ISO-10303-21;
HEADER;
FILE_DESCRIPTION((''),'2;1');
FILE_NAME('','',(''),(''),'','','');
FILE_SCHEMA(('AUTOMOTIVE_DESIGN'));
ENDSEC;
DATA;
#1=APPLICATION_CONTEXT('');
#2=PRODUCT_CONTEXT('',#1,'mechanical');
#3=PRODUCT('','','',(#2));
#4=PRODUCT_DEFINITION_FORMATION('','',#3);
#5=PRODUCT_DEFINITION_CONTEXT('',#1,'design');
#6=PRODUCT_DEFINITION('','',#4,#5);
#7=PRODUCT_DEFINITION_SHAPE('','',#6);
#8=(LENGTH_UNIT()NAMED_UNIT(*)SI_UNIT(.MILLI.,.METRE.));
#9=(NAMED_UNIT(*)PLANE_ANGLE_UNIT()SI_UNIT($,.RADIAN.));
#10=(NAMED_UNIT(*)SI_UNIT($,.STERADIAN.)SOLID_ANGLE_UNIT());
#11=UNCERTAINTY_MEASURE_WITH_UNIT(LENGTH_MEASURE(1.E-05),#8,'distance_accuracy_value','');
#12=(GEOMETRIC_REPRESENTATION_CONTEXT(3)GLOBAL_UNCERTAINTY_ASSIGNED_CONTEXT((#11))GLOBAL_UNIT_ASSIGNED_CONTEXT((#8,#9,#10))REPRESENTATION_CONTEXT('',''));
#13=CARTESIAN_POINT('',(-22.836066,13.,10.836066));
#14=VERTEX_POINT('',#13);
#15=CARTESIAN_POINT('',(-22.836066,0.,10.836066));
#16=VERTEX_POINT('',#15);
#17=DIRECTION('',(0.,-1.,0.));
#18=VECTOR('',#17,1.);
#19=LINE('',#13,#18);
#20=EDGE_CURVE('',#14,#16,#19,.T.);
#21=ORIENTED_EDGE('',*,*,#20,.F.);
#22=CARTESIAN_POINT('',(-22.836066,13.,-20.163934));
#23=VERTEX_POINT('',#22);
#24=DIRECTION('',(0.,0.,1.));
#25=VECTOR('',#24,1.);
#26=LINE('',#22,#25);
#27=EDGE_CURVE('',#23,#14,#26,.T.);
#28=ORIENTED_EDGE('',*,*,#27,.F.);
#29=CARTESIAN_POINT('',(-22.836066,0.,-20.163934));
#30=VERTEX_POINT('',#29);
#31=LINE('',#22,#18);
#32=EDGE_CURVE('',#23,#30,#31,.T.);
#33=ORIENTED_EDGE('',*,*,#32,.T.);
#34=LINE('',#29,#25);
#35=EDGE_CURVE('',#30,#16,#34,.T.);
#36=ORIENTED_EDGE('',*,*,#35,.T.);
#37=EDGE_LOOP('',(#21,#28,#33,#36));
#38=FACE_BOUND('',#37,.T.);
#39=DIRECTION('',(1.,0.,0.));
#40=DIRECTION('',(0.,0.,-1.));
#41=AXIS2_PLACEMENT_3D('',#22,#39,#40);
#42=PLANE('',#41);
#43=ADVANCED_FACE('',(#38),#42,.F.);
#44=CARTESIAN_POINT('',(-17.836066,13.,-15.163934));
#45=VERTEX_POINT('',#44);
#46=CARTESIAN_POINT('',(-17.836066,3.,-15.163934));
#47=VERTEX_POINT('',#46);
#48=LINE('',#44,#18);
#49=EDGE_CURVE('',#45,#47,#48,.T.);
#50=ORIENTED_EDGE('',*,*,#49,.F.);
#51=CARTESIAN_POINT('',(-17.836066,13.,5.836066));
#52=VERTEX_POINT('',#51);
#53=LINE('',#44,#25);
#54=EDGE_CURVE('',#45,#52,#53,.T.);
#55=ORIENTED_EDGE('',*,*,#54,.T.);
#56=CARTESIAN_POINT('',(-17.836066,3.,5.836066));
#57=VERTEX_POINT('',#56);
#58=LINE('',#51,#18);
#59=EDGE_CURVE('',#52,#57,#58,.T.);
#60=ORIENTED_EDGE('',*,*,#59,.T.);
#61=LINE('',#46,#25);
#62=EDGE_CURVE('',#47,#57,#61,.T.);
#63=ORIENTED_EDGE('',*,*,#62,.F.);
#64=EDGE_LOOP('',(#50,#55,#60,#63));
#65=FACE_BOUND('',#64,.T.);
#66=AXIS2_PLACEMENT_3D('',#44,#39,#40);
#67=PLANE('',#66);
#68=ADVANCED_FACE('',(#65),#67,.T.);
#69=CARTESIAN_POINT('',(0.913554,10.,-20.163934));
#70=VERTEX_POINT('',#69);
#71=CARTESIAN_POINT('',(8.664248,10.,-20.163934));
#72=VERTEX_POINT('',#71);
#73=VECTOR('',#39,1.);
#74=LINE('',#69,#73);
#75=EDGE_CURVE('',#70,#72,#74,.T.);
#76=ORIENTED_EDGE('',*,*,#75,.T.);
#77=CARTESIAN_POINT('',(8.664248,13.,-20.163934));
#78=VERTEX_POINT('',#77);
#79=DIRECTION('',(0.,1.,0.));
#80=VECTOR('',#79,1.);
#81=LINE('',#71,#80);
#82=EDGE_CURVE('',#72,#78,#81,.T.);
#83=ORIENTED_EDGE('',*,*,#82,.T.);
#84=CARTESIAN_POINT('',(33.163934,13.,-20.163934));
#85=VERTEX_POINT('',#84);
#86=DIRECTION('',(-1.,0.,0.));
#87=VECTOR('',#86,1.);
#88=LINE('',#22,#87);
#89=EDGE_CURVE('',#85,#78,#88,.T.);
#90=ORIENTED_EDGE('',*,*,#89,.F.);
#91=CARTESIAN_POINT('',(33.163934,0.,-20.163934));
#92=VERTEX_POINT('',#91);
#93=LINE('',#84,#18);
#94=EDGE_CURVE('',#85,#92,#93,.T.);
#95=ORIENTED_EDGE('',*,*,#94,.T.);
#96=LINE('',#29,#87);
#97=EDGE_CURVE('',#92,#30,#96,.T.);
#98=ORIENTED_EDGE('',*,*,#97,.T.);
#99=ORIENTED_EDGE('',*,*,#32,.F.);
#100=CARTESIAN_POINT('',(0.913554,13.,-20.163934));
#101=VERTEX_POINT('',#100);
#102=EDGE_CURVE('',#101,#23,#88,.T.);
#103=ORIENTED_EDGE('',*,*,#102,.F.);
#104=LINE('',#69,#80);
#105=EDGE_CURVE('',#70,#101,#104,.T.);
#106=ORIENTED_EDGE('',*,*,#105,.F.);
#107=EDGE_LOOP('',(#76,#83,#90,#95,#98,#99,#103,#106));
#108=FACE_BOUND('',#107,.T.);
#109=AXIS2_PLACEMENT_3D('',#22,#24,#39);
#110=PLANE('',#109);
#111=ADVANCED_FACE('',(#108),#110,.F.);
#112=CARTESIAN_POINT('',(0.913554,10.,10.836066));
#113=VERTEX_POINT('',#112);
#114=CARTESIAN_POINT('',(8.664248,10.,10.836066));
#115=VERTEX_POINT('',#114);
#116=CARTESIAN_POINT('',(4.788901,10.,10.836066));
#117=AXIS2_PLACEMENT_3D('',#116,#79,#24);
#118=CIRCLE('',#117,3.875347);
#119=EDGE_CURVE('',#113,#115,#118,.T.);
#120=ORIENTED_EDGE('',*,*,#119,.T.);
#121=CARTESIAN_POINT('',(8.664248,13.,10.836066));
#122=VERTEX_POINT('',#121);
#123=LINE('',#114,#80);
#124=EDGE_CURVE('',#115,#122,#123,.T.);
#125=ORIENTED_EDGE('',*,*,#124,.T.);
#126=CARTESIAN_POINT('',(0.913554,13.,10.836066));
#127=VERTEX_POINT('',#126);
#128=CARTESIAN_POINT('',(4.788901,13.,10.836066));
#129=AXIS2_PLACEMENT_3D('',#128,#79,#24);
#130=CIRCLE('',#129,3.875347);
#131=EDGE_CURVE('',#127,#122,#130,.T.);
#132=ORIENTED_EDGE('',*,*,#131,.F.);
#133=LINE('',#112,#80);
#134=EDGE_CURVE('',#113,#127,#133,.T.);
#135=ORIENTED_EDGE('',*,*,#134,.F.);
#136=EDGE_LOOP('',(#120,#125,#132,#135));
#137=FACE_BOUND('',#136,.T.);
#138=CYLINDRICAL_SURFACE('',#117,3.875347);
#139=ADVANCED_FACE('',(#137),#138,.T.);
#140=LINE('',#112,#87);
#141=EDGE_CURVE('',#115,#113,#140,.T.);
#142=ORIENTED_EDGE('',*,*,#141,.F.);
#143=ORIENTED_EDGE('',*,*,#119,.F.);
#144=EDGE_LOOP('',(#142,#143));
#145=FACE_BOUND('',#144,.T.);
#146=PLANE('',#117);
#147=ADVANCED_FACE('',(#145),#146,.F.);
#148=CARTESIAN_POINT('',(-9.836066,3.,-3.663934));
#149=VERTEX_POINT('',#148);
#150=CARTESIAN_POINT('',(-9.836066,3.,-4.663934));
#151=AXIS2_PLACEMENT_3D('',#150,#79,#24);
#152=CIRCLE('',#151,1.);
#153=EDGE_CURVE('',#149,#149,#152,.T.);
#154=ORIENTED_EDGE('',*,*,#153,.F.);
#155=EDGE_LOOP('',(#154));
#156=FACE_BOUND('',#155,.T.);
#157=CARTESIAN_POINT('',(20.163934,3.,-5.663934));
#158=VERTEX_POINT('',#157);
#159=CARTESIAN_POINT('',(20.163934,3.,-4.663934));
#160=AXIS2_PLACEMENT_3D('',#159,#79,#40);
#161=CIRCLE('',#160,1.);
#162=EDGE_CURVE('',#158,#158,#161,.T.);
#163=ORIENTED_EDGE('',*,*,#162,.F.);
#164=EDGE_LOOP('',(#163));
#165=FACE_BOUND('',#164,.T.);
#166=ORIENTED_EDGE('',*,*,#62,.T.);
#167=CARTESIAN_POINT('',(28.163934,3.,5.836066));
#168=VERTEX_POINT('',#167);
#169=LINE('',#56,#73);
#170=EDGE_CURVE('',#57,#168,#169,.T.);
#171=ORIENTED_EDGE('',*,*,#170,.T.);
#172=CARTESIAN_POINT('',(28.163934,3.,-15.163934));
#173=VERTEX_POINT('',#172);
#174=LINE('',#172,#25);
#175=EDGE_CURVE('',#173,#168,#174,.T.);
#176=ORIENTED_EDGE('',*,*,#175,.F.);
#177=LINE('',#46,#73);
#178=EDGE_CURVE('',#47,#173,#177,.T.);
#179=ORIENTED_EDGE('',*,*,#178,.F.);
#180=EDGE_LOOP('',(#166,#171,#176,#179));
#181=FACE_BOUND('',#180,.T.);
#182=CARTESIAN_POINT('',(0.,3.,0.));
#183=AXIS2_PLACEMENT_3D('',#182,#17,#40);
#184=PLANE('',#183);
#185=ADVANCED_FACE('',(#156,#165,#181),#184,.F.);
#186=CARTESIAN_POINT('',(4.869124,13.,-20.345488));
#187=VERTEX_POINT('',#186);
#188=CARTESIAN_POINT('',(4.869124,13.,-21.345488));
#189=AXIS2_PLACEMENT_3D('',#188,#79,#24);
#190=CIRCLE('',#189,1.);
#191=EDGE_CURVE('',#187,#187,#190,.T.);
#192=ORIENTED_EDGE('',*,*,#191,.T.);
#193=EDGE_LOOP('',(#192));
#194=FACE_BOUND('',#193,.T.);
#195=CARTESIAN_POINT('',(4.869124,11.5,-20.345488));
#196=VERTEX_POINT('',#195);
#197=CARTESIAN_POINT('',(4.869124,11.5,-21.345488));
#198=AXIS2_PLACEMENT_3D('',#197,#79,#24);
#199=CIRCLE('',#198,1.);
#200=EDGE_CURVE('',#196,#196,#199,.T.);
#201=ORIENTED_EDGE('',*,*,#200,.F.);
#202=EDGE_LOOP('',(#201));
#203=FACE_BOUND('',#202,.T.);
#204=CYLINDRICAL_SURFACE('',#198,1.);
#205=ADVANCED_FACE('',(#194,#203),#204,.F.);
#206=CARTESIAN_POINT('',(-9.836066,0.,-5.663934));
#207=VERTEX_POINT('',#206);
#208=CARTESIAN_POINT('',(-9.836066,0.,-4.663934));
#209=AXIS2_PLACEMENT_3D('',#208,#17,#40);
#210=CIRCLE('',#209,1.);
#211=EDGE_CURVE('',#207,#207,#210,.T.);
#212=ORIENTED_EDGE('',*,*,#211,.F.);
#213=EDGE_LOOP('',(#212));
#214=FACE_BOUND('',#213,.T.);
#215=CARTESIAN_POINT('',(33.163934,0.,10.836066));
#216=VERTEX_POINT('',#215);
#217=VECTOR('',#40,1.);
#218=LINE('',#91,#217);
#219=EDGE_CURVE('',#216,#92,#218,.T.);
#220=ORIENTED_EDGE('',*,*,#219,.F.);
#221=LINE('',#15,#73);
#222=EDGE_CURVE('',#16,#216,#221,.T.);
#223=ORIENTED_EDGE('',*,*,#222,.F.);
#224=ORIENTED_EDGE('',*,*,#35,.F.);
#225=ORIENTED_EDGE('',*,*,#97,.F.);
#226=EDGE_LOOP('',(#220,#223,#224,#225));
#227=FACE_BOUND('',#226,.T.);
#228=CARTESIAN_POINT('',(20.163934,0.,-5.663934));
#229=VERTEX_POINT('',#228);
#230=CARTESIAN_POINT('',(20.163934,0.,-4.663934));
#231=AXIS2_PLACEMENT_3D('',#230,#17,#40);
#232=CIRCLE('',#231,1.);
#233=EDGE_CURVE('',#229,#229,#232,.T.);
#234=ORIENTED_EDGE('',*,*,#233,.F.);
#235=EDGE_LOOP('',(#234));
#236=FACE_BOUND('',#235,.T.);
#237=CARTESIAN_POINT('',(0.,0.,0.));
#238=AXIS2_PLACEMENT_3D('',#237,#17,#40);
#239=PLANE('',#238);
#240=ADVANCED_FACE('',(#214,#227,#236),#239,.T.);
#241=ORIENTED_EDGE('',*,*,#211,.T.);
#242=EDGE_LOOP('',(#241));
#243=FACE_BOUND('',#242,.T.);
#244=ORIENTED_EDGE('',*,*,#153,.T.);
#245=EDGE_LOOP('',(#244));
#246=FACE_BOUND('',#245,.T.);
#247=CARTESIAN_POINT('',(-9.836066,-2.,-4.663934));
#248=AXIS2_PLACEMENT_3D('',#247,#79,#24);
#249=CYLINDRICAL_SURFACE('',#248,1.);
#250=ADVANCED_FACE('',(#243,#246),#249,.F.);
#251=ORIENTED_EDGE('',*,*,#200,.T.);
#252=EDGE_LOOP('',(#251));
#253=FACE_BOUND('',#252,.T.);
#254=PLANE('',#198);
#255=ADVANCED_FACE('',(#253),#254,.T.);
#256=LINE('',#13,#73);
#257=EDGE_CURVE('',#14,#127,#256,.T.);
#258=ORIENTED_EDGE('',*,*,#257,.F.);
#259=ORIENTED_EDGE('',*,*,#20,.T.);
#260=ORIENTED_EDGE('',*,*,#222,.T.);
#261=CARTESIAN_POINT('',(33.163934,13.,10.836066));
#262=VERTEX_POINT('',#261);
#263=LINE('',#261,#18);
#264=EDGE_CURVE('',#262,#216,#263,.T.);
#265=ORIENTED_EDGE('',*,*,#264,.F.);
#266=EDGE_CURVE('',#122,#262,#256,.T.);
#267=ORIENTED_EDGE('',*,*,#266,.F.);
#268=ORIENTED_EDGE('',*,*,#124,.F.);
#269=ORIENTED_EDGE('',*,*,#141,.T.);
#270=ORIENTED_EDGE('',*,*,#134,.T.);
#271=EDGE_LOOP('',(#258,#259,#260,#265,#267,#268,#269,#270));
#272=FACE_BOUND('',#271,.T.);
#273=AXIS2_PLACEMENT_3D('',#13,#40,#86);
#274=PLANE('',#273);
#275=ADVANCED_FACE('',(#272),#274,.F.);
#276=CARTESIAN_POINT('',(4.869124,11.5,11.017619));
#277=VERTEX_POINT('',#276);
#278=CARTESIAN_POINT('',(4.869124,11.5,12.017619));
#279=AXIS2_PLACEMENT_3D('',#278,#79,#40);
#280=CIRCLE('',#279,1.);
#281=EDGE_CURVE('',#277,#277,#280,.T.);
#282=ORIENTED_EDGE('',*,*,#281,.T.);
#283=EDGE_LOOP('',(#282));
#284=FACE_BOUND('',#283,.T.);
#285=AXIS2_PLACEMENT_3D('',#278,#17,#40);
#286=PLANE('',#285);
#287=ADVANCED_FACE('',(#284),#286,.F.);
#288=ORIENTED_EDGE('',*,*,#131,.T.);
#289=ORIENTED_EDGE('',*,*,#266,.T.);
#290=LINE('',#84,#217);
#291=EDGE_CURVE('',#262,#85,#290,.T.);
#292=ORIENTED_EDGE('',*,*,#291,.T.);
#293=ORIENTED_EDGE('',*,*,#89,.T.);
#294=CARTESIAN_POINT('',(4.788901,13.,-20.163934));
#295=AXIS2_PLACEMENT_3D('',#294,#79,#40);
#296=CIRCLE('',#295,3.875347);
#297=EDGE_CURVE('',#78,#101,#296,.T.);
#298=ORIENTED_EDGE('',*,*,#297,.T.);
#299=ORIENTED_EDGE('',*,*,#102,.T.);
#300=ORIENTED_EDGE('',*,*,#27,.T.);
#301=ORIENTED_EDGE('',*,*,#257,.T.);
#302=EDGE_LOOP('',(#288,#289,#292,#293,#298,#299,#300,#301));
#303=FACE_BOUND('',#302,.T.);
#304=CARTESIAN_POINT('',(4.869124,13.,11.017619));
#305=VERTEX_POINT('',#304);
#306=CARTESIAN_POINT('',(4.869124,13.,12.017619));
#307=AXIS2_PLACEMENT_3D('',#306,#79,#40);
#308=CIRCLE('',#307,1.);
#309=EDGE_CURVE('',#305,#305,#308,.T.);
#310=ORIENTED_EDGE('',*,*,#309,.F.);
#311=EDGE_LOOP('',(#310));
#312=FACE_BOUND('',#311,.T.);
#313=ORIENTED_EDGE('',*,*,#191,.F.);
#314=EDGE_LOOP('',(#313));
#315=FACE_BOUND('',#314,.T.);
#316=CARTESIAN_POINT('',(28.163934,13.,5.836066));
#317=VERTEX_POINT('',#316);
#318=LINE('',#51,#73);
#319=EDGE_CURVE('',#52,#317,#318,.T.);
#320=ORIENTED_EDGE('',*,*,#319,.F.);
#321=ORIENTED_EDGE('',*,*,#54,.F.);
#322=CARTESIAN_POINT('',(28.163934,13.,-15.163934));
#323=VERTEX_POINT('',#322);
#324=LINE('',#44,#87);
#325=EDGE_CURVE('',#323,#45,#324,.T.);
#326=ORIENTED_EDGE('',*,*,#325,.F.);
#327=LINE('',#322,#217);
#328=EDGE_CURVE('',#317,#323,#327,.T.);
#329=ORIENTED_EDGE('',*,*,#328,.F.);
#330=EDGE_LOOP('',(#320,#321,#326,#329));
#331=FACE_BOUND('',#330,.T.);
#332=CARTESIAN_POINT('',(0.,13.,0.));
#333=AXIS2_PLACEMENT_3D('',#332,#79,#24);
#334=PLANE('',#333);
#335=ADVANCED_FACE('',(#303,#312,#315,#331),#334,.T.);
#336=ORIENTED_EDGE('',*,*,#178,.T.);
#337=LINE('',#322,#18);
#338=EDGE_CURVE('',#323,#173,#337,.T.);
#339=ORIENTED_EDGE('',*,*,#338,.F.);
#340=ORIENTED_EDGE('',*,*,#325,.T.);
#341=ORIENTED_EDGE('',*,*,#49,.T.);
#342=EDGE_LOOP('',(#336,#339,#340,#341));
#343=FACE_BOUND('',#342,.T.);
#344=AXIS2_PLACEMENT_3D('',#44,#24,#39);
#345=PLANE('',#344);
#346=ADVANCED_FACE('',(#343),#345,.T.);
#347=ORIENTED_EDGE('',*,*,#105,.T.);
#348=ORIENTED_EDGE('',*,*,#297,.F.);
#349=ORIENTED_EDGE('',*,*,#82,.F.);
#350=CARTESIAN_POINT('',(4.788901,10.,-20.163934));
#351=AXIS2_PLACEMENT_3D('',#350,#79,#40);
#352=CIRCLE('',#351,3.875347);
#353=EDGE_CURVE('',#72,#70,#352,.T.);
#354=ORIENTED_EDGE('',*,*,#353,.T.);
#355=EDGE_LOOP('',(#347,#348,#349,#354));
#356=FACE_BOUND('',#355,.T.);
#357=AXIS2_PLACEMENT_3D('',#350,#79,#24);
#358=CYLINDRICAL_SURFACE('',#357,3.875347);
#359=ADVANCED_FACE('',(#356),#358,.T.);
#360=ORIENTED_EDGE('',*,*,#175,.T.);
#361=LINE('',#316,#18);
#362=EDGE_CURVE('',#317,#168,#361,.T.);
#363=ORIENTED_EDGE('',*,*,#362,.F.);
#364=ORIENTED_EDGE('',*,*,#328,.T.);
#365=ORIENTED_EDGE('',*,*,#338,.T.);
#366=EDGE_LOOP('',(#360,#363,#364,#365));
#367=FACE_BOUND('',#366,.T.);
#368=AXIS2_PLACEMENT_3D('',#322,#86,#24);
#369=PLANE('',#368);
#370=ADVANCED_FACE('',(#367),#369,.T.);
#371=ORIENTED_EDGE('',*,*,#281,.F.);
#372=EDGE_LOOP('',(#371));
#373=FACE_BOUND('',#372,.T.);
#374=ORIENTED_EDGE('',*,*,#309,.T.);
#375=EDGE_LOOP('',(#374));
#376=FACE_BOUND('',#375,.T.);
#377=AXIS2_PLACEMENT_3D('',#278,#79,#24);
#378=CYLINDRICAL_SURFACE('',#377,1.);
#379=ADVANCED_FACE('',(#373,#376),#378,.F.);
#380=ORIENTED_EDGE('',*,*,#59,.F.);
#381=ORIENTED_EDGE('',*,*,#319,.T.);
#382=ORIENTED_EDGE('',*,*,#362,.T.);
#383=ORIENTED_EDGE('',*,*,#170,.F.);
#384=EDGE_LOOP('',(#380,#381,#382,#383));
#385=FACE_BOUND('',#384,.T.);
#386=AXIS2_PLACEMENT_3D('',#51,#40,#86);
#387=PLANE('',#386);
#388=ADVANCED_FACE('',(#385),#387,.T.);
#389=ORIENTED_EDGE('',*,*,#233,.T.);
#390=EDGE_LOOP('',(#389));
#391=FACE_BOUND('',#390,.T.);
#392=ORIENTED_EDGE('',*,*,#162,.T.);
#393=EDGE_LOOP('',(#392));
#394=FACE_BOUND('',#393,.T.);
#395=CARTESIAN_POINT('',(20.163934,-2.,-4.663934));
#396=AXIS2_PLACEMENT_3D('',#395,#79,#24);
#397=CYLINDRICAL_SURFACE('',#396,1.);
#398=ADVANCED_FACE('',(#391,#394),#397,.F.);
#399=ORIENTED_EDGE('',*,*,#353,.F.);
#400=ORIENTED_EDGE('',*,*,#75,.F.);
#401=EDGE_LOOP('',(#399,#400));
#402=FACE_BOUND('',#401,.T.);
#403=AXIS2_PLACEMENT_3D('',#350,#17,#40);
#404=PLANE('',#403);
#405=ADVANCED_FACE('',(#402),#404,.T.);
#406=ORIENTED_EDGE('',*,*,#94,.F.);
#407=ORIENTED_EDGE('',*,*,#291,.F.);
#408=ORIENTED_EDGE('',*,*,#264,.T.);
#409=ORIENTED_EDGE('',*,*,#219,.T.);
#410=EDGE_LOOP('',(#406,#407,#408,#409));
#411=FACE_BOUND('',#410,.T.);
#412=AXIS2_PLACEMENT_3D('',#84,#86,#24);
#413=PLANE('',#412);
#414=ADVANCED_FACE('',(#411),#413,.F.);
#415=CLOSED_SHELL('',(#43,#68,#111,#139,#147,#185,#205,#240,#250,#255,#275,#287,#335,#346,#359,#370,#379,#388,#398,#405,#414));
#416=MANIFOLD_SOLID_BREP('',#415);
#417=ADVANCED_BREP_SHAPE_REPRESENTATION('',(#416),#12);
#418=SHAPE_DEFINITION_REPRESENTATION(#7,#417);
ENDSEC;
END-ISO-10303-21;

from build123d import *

# Parameters (mm, degrees)
SKETCH1_W           = 46
SKETCH1_H           = 21
BOSS_EXTRUDE4_DEPTH = 3
SKETCH1_5_W         = 56
SKETCH1_5_H         = 31
SKETCH1_5_W_2       = 46
SKETCH1_5_H_2       = 21
BOSS_EXTRUDE5_DEPTH = 13
BOSS_EXTRUDE6_DEPTH = 3
SKETCH5_R           = 1
CUT_EXTRUDE1_DEPTH  = 1.5
SKETCH6_R           = 1
CUT_EXTRUDE2_DEPTH  = 5


with BuildPart() as part:
    # Sketch1 → Boss-Extrude4 (new body)
    with BuildSketch(Plane(origin=(0, 0, 0), x_dir=(1, 0, 0), z_dir=(0, 1, 0))):
        with Locations((5.163934426, 4.663934426)):
            Rectangle(SKETCH1_W, SKETCH1_H)
    extrude(amount=BOSS_EXTRUDE4_DEPTH)

    # Sketch1<5> → Boss-Extrude5 (add)
    with BuildSketch(Plane(origin=(0, 0, 0), x_dir=(1, 0, 0), z_dir=(0, 1, 0))):
        with Locations((5.163934426, 4.663934426)):
            Rectangle(SKETCH1_5_W, SKETCH1_5_H)
        with Locations((5.163934426, 4.663934426)):
            Rectangle(SKETCH1_5_W_2, SKETCH1_5_H_2, mode=Mode.SUBTRACT)
    extrude(amount=BOSS_EXTRUDE5_DEPTH)

    # Sketch4 → Boss-Extrude6 (add)
    with BuildSketch(Plane(origin=(0, 13, 0), x_dir=(1, 0, 0), z_dir=(0, 1, 0))):
        with BuildLine():
            Line((0.913554246, 20.163934426), (8.664247516, 20.163934426))
            ThreePointArc((8.664247516, 20.163934426), (4.788900881, 24.039281061), (0.913554246, 20.163934426))
        make_face()
        with BuildLine():
            Line((0.913554246, -10.836065574), (8.664247516, -10.836065574))
            ThreePointArc((8.664247516, -10.836065574), (4.788900881, -14.711412209), (0.913554246, -10.836065574))
        make_face()
    extrude(amount=-BOSS_EXTRUDE6_DEPTH)

    # Sketch5 → Cut-Extrude1 (cut)
    with BuildSketch(Plane(origin=(0, 13, 0), x_dir=(1, 0, 0), z_dir=(0, 1, 0))):
        with Locations((4.869123842, 21.345488129)):
            Circle(SKETCH5_R)
        with Locations((4.869123842, -12.017619277)):
            Circle(SKETCH5_R)
    extrude(amount=-CUT_EXTRUDE1_DEPTH, mode=Mode.SUBTRACT)

    # Sketch6 → Cut-Extrude2 (cut)
    with BuildSketch(Plane(origin=(0, 3, 0), x_dir=(1, 0, 0), z_dir=(0, 1, 0))):
        with Locations((-9.836065574, 4.663934426)):
            Circle(SKETCH6_R)
        with Locations((20.163934426, 4.663934426)):
            Circle(SKETCH6_R)
    extrude(amount=-CUT_EXTRUDE2_DEPTH, mode=Mode.SUBTRACT)


solid = part.part
